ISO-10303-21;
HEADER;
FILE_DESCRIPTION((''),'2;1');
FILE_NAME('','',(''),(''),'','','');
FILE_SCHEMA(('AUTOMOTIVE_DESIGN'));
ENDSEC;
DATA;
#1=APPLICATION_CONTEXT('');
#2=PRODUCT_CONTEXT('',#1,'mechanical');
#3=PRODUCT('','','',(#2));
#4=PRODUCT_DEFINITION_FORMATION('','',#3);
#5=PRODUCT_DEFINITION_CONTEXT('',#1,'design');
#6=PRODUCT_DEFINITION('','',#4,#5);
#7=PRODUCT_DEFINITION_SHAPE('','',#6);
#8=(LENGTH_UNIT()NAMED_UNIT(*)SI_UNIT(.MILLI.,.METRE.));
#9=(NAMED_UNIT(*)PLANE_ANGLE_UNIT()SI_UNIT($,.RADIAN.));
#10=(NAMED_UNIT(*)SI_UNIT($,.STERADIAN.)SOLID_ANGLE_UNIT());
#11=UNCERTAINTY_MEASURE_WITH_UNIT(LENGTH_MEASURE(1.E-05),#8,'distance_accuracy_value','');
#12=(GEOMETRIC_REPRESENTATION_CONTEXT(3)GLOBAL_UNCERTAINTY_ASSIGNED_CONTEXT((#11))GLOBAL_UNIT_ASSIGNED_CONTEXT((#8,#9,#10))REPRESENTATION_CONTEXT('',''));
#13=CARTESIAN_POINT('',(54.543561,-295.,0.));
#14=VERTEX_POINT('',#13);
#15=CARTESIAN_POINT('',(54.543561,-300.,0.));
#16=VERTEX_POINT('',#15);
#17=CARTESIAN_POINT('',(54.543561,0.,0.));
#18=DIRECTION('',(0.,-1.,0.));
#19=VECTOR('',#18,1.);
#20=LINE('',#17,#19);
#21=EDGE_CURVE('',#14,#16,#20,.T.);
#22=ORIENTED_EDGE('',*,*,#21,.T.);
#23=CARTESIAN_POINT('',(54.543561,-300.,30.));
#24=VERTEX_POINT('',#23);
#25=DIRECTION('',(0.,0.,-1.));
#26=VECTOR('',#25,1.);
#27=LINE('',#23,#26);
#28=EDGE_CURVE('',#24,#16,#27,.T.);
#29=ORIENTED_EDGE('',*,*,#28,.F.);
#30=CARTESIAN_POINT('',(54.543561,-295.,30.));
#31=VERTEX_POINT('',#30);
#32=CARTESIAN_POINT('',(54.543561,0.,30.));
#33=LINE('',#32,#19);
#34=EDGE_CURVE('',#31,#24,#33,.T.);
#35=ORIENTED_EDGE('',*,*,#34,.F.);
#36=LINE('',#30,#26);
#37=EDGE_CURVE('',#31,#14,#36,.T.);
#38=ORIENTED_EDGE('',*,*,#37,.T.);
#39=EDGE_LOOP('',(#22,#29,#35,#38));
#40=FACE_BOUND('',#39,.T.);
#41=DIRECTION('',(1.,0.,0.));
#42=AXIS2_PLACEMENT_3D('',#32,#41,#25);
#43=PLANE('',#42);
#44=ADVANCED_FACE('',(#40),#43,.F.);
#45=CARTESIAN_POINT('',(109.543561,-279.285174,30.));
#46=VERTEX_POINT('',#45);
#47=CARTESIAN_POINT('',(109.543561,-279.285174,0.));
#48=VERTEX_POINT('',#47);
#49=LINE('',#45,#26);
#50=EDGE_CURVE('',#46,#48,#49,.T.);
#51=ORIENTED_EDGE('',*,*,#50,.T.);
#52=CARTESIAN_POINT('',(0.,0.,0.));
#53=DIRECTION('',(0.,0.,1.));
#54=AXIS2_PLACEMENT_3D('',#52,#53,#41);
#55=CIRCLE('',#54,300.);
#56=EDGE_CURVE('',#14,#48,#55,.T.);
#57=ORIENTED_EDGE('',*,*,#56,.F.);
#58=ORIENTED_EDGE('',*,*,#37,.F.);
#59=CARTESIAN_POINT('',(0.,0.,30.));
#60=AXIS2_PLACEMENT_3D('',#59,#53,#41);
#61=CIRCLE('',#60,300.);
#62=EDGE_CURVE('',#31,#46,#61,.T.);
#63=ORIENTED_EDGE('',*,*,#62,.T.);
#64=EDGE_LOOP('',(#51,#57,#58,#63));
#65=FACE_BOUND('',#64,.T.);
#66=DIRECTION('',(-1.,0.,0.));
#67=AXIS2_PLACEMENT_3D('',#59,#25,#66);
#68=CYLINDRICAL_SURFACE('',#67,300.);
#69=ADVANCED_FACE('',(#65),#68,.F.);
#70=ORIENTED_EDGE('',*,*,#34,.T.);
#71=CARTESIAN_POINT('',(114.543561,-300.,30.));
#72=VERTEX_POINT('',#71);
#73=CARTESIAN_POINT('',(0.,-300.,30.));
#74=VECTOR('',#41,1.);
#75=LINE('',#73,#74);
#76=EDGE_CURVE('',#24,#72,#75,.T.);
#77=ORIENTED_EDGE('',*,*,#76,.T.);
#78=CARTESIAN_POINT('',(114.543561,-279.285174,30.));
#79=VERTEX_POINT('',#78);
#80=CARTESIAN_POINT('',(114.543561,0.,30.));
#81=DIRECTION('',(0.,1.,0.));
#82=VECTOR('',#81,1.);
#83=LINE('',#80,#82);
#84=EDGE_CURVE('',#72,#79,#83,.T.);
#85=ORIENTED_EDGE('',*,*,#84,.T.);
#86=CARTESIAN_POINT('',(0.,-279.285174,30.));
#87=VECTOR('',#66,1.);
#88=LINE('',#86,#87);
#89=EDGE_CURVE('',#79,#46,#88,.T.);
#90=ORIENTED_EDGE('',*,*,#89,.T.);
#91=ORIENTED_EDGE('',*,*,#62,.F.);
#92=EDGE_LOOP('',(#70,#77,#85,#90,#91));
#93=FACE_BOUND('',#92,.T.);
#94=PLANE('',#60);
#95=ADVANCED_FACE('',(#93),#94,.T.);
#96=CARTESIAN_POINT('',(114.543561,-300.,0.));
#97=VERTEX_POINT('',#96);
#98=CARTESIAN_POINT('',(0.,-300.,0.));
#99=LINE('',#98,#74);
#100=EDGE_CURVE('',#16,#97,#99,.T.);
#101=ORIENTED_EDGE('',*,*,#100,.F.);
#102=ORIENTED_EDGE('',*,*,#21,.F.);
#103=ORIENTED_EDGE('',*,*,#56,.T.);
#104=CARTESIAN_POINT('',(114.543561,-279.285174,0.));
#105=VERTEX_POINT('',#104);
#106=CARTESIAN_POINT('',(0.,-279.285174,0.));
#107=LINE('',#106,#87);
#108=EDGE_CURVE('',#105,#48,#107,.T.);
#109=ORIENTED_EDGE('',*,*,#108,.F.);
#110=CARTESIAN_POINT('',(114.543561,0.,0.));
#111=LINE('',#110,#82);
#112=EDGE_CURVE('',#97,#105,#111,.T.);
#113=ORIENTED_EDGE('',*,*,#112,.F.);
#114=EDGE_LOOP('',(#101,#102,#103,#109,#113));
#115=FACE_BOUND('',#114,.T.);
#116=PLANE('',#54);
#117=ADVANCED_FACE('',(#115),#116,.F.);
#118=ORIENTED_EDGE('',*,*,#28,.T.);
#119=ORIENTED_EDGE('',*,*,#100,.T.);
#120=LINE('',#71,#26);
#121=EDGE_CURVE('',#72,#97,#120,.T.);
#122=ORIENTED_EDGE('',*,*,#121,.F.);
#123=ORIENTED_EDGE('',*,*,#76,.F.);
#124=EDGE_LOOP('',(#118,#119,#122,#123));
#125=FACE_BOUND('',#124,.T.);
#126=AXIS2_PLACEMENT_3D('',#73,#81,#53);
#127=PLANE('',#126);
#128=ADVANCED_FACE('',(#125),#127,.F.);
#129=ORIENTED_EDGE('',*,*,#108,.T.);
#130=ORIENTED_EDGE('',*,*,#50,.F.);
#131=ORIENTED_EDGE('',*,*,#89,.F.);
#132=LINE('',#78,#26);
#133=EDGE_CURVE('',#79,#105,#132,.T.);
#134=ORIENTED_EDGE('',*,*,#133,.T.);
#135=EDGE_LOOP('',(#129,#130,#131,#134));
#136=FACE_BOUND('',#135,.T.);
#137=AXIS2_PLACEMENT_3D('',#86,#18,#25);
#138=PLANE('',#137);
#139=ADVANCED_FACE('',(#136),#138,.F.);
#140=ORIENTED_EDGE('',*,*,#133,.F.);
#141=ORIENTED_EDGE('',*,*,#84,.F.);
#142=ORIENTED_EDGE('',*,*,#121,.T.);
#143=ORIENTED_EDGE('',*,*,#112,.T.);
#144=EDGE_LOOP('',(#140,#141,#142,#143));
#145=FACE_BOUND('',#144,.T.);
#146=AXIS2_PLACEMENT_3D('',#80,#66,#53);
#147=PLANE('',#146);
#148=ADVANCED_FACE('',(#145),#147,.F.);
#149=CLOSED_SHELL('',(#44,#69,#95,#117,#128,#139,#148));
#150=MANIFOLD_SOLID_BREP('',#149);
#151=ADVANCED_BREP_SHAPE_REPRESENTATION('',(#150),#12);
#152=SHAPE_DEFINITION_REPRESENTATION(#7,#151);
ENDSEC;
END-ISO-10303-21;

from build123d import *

# Parameters (mm, degrees)
BOSS_EXTRUDE1_DEPTH = 30


with BuildPart() as part:
    # Sketch2 → Boss-Extrude1 (new body)
    with BuildSketch(Plane.XY):
        with BuildLine():
            Line((54.543560573, -295), (54.543560573, -300))
            Line((54.543560573, -300), (114.543560573, -300))
            Line((114.543560573, -300), (114.543560573, -279.285173858))
            Line((114.543560573, -279.285173858), (109.543560573, -279.285173858))
            ThreePointArc((109.543560573, -279.285173858), (82.418958812, -288.456435581), (54.543560573, -295))
        make_face()
    extrude(amount=BOSS_EXTRUDE1_DEPTH)


solid = part.part
